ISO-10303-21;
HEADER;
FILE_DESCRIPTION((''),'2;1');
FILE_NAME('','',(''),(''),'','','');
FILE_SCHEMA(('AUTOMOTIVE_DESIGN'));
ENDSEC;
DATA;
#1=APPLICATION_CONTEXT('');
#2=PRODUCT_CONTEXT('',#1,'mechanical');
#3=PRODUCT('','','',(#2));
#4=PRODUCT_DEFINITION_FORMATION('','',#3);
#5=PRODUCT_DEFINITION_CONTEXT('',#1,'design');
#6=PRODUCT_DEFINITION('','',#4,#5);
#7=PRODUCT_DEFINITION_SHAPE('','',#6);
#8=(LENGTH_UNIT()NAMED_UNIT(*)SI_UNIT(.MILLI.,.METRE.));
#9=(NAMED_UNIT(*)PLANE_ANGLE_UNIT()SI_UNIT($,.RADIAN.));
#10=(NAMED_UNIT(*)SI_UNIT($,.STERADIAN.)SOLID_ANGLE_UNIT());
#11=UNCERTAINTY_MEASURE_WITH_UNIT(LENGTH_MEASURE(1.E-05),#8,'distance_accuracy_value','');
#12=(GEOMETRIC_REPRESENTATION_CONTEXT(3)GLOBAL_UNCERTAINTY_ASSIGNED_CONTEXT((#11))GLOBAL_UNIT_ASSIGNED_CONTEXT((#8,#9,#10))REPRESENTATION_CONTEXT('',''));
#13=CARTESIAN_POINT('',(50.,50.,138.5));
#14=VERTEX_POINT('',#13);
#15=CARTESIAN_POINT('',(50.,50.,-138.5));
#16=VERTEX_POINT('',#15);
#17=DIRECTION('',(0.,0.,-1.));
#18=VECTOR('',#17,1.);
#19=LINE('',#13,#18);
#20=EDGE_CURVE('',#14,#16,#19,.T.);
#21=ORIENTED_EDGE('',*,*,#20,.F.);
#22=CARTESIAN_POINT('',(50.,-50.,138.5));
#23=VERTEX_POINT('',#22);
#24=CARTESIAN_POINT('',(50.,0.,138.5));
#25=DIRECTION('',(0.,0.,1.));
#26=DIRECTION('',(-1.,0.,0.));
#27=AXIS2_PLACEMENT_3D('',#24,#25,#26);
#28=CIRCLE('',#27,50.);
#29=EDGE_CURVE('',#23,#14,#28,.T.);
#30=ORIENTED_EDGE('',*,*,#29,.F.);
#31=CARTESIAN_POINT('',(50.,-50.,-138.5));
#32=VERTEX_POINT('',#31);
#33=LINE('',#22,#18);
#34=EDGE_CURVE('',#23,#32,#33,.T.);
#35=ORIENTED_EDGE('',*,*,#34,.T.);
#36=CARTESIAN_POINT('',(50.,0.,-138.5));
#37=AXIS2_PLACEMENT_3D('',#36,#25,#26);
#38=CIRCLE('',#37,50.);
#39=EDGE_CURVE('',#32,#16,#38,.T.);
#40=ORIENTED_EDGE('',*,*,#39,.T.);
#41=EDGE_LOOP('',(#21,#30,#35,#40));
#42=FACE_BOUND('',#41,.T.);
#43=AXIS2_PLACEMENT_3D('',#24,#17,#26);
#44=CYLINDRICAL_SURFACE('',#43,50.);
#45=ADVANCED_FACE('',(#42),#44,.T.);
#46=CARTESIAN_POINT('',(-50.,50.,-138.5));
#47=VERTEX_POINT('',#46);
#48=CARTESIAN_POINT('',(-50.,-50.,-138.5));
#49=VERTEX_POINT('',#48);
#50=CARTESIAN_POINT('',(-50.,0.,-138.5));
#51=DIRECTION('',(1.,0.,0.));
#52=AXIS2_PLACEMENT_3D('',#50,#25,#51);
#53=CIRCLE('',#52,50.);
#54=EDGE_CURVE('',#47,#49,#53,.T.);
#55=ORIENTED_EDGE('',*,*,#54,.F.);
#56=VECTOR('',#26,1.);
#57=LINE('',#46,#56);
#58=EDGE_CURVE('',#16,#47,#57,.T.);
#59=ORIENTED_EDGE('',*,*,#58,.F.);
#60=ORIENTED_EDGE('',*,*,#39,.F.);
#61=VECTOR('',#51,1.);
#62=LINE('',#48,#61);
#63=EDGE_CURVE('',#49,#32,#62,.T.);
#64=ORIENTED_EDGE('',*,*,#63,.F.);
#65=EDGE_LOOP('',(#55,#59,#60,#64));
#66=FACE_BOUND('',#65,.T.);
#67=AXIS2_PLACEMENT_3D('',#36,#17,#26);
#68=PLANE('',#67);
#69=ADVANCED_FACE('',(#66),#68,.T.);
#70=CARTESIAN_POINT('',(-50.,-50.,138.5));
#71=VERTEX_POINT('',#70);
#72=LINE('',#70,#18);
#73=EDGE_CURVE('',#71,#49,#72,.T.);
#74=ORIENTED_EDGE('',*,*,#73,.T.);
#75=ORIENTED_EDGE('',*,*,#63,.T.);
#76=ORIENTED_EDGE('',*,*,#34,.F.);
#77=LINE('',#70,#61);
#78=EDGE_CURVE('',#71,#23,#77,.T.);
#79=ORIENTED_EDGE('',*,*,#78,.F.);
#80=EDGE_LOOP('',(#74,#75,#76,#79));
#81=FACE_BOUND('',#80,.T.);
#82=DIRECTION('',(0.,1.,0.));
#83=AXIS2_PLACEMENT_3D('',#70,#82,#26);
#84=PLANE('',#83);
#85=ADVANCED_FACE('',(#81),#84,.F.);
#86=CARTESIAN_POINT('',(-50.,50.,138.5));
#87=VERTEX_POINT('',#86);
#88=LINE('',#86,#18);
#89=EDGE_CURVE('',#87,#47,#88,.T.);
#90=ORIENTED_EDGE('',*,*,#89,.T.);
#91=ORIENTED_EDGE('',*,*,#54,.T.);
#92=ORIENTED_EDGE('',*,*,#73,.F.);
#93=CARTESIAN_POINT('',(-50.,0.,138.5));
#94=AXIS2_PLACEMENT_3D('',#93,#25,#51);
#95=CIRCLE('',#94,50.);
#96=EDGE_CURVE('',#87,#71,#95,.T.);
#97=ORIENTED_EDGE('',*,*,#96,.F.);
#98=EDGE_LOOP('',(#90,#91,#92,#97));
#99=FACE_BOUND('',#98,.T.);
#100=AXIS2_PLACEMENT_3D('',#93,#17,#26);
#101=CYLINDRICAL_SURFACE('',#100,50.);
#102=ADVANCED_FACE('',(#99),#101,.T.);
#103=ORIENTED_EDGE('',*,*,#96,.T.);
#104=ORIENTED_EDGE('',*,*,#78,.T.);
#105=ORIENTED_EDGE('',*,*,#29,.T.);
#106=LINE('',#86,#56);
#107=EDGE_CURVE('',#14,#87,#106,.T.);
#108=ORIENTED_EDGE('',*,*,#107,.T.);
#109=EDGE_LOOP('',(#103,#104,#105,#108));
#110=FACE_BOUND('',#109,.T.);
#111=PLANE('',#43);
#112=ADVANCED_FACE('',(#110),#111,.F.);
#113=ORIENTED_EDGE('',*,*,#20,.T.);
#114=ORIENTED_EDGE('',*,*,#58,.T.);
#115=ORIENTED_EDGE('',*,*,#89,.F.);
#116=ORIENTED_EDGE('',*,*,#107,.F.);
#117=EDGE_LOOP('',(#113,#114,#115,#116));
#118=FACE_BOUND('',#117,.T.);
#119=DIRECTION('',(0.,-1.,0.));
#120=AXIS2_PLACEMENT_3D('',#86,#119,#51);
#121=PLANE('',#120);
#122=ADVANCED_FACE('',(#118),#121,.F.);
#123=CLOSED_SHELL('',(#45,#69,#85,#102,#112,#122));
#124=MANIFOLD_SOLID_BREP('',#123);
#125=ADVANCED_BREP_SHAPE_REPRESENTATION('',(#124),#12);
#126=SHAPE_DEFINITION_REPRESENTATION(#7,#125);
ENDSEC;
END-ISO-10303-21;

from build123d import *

# Parameters (mm, degrees)
EXTRUDE_1_DEPTH = 138.5


with BuildPart() as part:
    # 草图1 → 凸台-拉伸1 (new body, symmetric)
    with BuildSketch(Plane.XY):
        with BuildLine():
            Line((-50, 50), (50, 50))
            ThreePointArc((50, 50), (100, 0), (50, -50))
            Line((50, -50), (-50, -50))
            ThreePointArc((-50, -50), (-100, 0), (-50, 50))
        make_face()
    extrude(amount=EXTRUDE_1_DEPTH, both=True)


solid = part.part
